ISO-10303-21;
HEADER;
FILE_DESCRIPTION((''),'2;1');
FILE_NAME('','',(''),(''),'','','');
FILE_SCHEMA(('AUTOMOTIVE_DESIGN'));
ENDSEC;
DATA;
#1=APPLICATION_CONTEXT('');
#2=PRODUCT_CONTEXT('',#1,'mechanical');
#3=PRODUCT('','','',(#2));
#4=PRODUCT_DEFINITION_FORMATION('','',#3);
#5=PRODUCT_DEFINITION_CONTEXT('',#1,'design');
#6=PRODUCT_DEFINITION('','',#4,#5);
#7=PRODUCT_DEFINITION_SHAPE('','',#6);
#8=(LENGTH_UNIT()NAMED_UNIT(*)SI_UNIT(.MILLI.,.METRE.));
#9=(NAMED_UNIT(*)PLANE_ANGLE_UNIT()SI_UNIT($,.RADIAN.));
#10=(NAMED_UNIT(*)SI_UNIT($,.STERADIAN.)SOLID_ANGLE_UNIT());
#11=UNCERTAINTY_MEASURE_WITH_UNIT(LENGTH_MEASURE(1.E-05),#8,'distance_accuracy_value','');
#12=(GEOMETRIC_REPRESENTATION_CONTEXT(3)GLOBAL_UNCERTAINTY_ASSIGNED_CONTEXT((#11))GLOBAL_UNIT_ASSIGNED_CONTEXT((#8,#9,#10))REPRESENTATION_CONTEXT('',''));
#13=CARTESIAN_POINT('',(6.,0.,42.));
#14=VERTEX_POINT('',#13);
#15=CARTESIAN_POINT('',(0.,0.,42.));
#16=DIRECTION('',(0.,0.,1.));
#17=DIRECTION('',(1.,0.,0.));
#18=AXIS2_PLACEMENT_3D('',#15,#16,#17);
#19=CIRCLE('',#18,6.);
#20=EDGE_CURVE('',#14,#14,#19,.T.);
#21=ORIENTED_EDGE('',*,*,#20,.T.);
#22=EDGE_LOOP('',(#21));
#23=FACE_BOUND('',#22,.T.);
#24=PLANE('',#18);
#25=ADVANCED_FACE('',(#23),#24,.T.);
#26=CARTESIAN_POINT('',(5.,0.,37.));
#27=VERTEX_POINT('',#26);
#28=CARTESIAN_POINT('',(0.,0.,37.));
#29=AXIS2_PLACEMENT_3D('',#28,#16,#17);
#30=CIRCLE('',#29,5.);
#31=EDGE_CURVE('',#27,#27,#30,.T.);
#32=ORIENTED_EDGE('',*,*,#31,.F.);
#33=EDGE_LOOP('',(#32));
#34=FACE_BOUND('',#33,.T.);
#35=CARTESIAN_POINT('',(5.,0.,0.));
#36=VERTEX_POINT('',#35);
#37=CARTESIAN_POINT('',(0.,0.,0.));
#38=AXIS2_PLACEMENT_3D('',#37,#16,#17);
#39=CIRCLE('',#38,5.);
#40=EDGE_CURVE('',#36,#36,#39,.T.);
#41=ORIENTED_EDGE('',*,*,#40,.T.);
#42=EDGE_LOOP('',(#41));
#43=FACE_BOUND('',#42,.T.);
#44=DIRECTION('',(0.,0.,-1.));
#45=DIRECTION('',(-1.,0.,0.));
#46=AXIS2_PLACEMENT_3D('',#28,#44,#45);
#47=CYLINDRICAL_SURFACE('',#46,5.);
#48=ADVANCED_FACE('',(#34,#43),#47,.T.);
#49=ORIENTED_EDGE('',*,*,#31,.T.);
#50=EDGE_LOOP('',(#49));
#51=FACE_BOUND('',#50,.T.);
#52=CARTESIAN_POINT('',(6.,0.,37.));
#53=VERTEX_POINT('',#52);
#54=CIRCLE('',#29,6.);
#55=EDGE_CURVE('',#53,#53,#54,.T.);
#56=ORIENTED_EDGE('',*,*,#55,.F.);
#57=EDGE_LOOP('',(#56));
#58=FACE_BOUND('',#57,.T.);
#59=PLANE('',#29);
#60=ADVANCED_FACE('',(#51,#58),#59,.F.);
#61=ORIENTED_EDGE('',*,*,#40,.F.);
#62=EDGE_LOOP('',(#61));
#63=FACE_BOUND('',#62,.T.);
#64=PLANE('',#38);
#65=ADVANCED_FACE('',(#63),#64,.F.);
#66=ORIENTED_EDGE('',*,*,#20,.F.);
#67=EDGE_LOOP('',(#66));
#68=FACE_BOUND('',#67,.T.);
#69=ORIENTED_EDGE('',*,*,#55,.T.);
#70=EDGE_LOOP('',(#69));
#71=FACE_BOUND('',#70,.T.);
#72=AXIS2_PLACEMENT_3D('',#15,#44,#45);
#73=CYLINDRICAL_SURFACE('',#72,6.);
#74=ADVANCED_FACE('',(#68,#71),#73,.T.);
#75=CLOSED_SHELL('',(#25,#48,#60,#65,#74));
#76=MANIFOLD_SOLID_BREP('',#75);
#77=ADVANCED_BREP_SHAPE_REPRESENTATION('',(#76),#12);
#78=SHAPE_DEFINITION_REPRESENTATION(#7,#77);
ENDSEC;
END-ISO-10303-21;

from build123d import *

# Parameters (mm, degrees)
SKETCH1_R           = 5
BOSS_EXTRUDE1_DEPTH = 37
SKETCH2_R           = 6
BOSS_EXTRUDE2_DEPTH = 5


with BuildPart() as part:
    # Sketch1 → Boss-Extrude1 (new body)
    with BuildSketch(Plane.XY):
        Circle(SKETCH1_R)
    extrude(amount=BOSS_EXTRUDE1_DEPTH)

    # Sketch2 → Boss-Extrude2 (add)
    with BuildSketch(Plane.XY.offset(37)):
        Circle(SKETCH2_R)
    extrude(amount=BOSS_EXTRUDE2_DEPTH)


solid = part.part
